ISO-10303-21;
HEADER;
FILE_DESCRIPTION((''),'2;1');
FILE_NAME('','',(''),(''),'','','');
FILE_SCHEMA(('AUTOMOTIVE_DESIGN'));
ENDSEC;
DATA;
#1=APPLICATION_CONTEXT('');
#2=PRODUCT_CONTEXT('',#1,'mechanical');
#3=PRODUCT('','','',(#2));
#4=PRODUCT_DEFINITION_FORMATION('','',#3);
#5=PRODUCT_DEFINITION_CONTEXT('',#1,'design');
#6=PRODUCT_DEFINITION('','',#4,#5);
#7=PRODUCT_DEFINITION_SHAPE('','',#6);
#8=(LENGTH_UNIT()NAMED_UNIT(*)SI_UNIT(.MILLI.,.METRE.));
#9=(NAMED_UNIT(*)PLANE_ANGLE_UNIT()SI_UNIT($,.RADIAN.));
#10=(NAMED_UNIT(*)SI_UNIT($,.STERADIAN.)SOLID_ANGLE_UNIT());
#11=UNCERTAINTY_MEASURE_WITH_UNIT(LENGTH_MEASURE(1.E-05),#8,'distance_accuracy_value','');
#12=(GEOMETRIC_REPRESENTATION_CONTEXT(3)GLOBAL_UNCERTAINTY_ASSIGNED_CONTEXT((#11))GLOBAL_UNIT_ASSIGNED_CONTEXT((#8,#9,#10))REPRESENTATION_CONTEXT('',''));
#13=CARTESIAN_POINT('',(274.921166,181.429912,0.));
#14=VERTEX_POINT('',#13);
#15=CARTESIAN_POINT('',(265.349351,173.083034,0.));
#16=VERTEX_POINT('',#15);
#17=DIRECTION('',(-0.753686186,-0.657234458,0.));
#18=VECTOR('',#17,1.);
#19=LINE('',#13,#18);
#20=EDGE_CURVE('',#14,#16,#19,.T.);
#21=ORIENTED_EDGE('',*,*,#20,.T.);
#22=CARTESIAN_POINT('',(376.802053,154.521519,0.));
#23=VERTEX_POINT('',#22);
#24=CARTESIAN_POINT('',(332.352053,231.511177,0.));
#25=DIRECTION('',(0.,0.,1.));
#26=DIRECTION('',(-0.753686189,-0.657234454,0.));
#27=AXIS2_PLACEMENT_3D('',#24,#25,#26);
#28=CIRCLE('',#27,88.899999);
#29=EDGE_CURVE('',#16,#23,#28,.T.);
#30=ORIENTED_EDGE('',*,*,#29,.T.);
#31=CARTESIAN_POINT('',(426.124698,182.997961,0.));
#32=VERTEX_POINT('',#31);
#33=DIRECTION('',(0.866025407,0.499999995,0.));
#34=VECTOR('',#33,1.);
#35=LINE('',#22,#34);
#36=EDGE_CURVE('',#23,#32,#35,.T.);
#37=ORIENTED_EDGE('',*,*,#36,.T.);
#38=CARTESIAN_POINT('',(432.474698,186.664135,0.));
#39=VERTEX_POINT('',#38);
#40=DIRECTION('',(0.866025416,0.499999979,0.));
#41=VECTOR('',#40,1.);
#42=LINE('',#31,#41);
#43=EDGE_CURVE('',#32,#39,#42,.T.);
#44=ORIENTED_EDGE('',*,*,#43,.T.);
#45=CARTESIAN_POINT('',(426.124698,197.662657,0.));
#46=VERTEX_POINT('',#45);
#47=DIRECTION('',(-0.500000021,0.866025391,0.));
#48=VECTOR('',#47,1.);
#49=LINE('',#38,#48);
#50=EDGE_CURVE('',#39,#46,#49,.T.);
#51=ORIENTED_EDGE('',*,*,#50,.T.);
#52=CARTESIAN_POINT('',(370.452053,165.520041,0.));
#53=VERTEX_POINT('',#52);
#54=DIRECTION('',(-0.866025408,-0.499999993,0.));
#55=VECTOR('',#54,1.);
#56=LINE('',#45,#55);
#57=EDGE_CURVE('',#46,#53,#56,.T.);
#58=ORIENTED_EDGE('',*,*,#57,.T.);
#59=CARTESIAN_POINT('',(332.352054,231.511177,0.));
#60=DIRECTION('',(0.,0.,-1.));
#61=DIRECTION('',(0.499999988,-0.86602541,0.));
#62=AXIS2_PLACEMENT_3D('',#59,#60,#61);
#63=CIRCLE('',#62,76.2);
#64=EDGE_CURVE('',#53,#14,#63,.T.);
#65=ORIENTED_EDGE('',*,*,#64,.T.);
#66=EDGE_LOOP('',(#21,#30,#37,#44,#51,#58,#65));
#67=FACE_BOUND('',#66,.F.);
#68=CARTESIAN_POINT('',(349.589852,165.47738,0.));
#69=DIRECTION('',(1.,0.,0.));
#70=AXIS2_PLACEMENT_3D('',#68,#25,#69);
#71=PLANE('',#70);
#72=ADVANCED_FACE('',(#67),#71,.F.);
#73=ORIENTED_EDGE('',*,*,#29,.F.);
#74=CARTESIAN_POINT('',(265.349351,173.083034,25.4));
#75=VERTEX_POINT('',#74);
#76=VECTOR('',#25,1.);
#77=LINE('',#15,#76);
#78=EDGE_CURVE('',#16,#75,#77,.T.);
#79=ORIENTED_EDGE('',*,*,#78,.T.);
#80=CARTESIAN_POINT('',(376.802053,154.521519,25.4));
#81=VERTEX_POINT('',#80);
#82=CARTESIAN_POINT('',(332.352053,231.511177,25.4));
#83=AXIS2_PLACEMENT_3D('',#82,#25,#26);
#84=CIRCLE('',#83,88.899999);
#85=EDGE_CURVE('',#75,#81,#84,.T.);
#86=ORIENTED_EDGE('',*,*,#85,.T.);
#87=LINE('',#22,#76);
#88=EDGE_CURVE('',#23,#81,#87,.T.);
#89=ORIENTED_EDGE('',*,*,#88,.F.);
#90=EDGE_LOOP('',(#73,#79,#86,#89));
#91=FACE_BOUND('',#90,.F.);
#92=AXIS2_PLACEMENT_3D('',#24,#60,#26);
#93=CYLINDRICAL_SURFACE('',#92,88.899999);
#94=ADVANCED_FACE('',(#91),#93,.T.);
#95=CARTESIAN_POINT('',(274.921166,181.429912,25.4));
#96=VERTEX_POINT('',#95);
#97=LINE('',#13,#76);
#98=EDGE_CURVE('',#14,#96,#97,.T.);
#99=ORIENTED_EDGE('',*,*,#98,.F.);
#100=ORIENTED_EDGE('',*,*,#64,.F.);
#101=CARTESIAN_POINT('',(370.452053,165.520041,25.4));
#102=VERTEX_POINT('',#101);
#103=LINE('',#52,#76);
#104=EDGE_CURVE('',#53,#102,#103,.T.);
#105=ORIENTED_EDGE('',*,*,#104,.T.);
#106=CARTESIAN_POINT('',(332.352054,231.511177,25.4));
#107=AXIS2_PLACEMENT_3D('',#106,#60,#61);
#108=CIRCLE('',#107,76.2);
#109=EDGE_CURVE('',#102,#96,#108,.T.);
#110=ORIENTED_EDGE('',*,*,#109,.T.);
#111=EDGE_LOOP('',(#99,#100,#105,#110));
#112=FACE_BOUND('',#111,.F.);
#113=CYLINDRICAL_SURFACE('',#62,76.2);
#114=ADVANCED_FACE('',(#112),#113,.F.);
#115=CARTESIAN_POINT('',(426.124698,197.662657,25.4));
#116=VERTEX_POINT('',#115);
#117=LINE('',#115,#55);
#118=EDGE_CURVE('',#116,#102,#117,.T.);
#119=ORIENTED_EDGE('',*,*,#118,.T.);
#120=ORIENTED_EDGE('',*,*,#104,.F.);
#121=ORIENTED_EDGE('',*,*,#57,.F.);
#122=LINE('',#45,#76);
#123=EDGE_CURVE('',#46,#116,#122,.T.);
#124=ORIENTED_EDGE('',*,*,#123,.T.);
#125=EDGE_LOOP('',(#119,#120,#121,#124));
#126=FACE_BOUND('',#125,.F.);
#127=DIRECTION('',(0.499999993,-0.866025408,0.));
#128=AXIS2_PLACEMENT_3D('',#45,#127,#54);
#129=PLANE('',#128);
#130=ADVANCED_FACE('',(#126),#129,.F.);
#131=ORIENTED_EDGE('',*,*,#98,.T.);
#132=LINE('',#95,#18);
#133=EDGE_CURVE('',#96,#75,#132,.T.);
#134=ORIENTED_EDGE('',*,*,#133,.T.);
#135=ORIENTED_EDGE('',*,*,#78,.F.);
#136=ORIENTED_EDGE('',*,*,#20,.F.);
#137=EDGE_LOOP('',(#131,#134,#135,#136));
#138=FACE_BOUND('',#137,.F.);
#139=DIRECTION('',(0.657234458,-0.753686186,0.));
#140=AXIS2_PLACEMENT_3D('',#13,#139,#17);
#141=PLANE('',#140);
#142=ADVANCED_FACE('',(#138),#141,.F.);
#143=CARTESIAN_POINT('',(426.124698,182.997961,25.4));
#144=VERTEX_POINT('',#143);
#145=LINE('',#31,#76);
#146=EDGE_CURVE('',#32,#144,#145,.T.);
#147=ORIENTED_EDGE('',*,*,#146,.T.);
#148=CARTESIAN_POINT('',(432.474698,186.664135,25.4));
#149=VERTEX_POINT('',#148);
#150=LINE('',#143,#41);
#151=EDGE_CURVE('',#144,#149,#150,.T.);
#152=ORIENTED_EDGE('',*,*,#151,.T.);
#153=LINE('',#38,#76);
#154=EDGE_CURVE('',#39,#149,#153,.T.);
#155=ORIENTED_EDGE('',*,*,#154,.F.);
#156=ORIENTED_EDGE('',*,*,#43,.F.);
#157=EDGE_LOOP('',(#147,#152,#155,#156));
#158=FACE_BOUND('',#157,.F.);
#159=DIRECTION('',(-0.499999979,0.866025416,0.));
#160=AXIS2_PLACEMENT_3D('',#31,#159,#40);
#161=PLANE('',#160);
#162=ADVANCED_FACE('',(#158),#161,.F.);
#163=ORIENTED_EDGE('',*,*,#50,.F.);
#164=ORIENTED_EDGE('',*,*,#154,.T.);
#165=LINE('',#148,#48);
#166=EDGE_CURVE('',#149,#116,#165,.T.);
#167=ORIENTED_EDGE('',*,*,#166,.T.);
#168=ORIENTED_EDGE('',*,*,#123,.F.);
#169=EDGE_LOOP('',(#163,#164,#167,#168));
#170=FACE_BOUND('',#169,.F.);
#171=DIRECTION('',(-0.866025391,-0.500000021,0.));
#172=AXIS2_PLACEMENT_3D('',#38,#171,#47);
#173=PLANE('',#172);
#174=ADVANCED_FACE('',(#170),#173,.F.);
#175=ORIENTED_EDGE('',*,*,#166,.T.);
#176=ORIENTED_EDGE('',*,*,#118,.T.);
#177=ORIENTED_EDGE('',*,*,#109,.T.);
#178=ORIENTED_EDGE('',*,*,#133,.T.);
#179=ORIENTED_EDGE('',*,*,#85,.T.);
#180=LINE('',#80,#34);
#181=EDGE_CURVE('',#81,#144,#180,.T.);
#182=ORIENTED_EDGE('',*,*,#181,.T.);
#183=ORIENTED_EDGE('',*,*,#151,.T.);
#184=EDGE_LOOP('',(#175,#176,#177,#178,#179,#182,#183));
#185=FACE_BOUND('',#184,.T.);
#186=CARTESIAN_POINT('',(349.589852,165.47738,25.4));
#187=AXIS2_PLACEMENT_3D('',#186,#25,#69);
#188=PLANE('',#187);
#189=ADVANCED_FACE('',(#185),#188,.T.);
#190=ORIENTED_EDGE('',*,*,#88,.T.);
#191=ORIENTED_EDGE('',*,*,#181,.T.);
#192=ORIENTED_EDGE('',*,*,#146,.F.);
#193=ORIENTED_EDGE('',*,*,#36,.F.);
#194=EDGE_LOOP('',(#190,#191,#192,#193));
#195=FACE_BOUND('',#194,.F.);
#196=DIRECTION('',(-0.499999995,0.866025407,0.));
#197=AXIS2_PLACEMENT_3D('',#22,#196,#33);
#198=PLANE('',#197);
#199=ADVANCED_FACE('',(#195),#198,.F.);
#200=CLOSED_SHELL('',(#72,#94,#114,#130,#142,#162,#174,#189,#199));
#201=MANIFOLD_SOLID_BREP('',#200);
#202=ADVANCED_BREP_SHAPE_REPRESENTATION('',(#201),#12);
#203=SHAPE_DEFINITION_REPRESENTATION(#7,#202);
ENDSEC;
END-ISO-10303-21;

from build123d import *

# Parameters (mm, degrees)
F1_DEPTH = 25.4


with BuildPart() as f1:
    # F0 (on Top) → F1 (new body)
    with BuildSketch(Plane.XY):
        with BuildLine():
            Line((376.802053, 154.521519), (426.124698, 182.997961))
            Line((426.124698, 182.997961), (432.474698, 186.664135))
            Line((432.474698, 186.664135), (426.124698, 197.662657))
            Line((426.124698, 197.662657), (370.452053, 165.520041))
            ThreePointArc((370.452053, 165.520041), (319.833994, 156.346437), (274.921166, 181.429912))
            Line((274.921166, 181.429912), (265.349351, 173.083034))
            ThreePointArc((265.349351, 173.083034), (317.747651, 143.81898), (376.802053, 154.521519))
        make_face()
    extrude(amount=F1_DEPTH)


solid = f1.part
